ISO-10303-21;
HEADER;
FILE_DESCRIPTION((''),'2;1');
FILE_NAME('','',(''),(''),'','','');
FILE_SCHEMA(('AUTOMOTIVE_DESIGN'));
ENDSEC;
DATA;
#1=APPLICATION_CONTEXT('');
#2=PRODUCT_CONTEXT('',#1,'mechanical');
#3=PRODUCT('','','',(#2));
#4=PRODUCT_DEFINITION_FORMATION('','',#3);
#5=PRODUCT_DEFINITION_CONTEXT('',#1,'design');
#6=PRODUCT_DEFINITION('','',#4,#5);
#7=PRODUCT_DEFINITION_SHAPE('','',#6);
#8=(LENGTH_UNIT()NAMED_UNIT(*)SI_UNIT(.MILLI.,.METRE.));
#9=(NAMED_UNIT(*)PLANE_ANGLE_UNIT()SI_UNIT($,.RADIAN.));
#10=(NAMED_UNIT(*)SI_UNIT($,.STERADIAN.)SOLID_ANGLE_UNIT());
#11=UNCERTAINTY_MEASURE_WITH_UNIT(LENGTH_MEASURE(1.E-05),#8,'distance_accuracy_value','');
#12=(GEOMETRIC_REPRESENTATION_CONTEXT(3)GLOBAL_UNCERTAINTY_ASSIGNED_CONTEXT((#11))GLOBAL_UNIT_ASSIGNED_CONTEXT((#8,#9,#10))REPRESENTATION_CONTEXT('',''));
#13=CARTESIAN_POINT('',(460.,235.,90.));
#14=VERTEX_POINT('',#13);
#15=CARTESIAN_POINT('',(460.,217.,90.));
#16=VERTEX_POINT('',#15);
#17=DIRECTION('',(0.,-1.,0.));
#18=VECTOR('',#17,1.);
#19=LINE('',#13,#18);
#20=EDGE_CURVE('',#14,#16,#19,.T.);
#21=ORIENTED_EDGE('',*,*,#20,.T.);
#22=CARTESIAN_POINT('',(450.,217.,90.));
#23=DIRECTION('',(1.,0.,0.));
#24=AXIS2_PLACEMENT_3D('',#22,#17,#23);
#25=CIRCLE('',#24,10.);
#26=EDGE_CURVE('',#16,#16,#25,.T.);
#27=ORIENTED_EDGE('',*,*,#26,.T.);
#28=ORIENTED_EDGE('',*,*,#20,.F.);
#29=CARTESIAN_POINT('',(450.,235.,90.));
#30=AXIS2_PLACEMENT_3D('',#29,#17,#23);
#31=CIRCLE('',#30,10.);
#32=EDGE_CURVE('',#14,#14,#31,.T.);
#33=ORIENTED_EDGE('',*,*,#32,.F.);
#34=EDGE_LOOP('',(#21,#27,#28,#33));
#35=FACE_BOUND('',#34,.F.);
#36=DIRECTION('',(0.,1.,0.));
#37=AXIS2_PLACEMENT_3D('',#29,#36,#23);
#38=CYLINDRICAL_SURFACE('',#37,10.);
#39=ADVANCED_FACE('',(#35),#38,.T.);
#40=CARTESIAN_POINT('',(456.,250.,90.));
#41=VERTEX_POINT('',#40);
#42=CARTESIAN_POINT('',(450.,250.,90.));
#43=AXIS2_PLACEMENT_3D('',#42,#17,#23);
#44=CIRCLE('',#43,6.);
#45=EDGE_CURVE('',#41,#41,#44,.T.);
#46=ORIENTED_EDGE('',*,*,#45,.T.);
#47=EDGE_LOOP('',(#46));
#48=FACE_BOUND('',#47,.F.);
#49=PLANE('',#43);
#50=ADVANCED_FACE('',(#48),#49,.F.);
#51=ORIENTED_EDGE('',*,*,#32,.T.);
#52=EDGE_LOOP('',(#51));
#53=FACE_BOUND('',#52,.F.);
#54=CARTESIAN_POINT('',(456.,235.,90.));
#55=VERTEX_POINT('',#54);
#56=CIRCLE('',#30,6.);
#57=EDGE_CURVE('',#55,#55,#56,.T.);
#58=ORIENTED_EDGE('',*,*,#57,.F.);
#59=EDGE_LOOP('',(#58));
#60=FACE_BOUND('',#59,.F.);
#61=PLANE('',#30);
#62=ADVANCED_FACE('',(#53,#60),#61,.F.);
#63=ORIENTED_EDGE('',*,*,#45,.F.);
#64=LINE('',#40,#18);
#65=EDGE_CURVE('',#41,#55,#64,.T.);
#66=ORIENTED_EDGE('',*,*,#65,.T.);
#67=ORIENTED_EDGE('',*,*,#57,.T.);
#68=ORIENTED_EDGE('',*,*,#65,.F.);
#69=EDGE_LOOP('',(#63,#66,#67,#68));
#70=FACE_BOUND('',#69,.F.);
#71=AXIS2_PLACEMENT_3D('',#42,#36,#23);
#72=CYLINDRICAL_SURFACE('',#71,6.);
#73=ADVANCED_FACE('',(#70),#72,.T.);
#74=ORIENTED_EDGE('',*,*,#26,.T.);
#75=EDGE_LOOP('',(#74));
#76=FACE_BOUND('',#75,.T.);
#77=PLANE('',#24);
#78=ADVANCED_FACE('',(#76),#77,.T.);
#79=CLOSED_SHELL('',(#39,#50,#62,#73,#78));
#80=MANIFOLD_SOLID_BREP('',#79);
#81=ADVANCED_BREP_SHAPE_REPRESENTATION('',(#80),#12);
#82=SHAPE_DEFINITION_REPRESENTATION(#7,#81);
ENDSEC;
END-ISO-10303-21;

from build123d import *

# Parameters (mm, degrees)
CYLINDER008_R          = 6
CYLINDER008_DEPTH      = 15
CYLINDER008_ROLL_ANGLE = 90
CYLINDER007_R          = 10
CYLINDER007_DEPTH      = 18
CYLINDER007_ROLL_ANGLE = 90


with BuildPart() as cylinder008:
    # Cylinder008 → Cylinder008 (new body)
    with BuildSketch(Plane.XY):
        Circle(CYLINDER008_R)
    extrude(amount=CYLINDER008_DEPTH)


with BuildPart() as cylinder008_1:
    # Cylinder008 roll: moved
    add(cylinder008.part.rotate(Axis((0, 0, 0), (1, 0, 0)), CYLINDER008_ROLL_ANGLE))


with BuildPart() as cylinder008_2:
    # Cylinder008 placement: moved
    add(cylinder008_1.part.moved(Location((450, 250, 50))))


with BuildPart() as pv_input_plug002:
    # Cylinder007 → Cylinder007 (new body)
    with BuildSketch(Plane.XY):
        Circle(CYLINDER007_R)
    extrude(amount=CYLINDER007_DEPTH)


with BuildPart() as pv_input_plug002_1:
    # Cylinder007 roll: moved
    add(pv_input_plug002.part.rotate(Axis((0, 0, 0), (1, 0, 0)), CYLINDER007_ROLL_ANGLE))


with BuildPart() as pv_input_plug002_2:
    # Cylinder007 placement: moved
    add(pv_input_plug002_1.part.moved(Location((450, 235, 50))))

    # Fusion002: union Cylinder008
    add(cylinder008_2.part)


with BuildPart() as pv_input_plug002_3:
    # Fusion002 placement: moved
    add(pv_input_plug002_2.part.moved(Location((0, 0, 40))))


solid = pv_input_plug002_3.part
